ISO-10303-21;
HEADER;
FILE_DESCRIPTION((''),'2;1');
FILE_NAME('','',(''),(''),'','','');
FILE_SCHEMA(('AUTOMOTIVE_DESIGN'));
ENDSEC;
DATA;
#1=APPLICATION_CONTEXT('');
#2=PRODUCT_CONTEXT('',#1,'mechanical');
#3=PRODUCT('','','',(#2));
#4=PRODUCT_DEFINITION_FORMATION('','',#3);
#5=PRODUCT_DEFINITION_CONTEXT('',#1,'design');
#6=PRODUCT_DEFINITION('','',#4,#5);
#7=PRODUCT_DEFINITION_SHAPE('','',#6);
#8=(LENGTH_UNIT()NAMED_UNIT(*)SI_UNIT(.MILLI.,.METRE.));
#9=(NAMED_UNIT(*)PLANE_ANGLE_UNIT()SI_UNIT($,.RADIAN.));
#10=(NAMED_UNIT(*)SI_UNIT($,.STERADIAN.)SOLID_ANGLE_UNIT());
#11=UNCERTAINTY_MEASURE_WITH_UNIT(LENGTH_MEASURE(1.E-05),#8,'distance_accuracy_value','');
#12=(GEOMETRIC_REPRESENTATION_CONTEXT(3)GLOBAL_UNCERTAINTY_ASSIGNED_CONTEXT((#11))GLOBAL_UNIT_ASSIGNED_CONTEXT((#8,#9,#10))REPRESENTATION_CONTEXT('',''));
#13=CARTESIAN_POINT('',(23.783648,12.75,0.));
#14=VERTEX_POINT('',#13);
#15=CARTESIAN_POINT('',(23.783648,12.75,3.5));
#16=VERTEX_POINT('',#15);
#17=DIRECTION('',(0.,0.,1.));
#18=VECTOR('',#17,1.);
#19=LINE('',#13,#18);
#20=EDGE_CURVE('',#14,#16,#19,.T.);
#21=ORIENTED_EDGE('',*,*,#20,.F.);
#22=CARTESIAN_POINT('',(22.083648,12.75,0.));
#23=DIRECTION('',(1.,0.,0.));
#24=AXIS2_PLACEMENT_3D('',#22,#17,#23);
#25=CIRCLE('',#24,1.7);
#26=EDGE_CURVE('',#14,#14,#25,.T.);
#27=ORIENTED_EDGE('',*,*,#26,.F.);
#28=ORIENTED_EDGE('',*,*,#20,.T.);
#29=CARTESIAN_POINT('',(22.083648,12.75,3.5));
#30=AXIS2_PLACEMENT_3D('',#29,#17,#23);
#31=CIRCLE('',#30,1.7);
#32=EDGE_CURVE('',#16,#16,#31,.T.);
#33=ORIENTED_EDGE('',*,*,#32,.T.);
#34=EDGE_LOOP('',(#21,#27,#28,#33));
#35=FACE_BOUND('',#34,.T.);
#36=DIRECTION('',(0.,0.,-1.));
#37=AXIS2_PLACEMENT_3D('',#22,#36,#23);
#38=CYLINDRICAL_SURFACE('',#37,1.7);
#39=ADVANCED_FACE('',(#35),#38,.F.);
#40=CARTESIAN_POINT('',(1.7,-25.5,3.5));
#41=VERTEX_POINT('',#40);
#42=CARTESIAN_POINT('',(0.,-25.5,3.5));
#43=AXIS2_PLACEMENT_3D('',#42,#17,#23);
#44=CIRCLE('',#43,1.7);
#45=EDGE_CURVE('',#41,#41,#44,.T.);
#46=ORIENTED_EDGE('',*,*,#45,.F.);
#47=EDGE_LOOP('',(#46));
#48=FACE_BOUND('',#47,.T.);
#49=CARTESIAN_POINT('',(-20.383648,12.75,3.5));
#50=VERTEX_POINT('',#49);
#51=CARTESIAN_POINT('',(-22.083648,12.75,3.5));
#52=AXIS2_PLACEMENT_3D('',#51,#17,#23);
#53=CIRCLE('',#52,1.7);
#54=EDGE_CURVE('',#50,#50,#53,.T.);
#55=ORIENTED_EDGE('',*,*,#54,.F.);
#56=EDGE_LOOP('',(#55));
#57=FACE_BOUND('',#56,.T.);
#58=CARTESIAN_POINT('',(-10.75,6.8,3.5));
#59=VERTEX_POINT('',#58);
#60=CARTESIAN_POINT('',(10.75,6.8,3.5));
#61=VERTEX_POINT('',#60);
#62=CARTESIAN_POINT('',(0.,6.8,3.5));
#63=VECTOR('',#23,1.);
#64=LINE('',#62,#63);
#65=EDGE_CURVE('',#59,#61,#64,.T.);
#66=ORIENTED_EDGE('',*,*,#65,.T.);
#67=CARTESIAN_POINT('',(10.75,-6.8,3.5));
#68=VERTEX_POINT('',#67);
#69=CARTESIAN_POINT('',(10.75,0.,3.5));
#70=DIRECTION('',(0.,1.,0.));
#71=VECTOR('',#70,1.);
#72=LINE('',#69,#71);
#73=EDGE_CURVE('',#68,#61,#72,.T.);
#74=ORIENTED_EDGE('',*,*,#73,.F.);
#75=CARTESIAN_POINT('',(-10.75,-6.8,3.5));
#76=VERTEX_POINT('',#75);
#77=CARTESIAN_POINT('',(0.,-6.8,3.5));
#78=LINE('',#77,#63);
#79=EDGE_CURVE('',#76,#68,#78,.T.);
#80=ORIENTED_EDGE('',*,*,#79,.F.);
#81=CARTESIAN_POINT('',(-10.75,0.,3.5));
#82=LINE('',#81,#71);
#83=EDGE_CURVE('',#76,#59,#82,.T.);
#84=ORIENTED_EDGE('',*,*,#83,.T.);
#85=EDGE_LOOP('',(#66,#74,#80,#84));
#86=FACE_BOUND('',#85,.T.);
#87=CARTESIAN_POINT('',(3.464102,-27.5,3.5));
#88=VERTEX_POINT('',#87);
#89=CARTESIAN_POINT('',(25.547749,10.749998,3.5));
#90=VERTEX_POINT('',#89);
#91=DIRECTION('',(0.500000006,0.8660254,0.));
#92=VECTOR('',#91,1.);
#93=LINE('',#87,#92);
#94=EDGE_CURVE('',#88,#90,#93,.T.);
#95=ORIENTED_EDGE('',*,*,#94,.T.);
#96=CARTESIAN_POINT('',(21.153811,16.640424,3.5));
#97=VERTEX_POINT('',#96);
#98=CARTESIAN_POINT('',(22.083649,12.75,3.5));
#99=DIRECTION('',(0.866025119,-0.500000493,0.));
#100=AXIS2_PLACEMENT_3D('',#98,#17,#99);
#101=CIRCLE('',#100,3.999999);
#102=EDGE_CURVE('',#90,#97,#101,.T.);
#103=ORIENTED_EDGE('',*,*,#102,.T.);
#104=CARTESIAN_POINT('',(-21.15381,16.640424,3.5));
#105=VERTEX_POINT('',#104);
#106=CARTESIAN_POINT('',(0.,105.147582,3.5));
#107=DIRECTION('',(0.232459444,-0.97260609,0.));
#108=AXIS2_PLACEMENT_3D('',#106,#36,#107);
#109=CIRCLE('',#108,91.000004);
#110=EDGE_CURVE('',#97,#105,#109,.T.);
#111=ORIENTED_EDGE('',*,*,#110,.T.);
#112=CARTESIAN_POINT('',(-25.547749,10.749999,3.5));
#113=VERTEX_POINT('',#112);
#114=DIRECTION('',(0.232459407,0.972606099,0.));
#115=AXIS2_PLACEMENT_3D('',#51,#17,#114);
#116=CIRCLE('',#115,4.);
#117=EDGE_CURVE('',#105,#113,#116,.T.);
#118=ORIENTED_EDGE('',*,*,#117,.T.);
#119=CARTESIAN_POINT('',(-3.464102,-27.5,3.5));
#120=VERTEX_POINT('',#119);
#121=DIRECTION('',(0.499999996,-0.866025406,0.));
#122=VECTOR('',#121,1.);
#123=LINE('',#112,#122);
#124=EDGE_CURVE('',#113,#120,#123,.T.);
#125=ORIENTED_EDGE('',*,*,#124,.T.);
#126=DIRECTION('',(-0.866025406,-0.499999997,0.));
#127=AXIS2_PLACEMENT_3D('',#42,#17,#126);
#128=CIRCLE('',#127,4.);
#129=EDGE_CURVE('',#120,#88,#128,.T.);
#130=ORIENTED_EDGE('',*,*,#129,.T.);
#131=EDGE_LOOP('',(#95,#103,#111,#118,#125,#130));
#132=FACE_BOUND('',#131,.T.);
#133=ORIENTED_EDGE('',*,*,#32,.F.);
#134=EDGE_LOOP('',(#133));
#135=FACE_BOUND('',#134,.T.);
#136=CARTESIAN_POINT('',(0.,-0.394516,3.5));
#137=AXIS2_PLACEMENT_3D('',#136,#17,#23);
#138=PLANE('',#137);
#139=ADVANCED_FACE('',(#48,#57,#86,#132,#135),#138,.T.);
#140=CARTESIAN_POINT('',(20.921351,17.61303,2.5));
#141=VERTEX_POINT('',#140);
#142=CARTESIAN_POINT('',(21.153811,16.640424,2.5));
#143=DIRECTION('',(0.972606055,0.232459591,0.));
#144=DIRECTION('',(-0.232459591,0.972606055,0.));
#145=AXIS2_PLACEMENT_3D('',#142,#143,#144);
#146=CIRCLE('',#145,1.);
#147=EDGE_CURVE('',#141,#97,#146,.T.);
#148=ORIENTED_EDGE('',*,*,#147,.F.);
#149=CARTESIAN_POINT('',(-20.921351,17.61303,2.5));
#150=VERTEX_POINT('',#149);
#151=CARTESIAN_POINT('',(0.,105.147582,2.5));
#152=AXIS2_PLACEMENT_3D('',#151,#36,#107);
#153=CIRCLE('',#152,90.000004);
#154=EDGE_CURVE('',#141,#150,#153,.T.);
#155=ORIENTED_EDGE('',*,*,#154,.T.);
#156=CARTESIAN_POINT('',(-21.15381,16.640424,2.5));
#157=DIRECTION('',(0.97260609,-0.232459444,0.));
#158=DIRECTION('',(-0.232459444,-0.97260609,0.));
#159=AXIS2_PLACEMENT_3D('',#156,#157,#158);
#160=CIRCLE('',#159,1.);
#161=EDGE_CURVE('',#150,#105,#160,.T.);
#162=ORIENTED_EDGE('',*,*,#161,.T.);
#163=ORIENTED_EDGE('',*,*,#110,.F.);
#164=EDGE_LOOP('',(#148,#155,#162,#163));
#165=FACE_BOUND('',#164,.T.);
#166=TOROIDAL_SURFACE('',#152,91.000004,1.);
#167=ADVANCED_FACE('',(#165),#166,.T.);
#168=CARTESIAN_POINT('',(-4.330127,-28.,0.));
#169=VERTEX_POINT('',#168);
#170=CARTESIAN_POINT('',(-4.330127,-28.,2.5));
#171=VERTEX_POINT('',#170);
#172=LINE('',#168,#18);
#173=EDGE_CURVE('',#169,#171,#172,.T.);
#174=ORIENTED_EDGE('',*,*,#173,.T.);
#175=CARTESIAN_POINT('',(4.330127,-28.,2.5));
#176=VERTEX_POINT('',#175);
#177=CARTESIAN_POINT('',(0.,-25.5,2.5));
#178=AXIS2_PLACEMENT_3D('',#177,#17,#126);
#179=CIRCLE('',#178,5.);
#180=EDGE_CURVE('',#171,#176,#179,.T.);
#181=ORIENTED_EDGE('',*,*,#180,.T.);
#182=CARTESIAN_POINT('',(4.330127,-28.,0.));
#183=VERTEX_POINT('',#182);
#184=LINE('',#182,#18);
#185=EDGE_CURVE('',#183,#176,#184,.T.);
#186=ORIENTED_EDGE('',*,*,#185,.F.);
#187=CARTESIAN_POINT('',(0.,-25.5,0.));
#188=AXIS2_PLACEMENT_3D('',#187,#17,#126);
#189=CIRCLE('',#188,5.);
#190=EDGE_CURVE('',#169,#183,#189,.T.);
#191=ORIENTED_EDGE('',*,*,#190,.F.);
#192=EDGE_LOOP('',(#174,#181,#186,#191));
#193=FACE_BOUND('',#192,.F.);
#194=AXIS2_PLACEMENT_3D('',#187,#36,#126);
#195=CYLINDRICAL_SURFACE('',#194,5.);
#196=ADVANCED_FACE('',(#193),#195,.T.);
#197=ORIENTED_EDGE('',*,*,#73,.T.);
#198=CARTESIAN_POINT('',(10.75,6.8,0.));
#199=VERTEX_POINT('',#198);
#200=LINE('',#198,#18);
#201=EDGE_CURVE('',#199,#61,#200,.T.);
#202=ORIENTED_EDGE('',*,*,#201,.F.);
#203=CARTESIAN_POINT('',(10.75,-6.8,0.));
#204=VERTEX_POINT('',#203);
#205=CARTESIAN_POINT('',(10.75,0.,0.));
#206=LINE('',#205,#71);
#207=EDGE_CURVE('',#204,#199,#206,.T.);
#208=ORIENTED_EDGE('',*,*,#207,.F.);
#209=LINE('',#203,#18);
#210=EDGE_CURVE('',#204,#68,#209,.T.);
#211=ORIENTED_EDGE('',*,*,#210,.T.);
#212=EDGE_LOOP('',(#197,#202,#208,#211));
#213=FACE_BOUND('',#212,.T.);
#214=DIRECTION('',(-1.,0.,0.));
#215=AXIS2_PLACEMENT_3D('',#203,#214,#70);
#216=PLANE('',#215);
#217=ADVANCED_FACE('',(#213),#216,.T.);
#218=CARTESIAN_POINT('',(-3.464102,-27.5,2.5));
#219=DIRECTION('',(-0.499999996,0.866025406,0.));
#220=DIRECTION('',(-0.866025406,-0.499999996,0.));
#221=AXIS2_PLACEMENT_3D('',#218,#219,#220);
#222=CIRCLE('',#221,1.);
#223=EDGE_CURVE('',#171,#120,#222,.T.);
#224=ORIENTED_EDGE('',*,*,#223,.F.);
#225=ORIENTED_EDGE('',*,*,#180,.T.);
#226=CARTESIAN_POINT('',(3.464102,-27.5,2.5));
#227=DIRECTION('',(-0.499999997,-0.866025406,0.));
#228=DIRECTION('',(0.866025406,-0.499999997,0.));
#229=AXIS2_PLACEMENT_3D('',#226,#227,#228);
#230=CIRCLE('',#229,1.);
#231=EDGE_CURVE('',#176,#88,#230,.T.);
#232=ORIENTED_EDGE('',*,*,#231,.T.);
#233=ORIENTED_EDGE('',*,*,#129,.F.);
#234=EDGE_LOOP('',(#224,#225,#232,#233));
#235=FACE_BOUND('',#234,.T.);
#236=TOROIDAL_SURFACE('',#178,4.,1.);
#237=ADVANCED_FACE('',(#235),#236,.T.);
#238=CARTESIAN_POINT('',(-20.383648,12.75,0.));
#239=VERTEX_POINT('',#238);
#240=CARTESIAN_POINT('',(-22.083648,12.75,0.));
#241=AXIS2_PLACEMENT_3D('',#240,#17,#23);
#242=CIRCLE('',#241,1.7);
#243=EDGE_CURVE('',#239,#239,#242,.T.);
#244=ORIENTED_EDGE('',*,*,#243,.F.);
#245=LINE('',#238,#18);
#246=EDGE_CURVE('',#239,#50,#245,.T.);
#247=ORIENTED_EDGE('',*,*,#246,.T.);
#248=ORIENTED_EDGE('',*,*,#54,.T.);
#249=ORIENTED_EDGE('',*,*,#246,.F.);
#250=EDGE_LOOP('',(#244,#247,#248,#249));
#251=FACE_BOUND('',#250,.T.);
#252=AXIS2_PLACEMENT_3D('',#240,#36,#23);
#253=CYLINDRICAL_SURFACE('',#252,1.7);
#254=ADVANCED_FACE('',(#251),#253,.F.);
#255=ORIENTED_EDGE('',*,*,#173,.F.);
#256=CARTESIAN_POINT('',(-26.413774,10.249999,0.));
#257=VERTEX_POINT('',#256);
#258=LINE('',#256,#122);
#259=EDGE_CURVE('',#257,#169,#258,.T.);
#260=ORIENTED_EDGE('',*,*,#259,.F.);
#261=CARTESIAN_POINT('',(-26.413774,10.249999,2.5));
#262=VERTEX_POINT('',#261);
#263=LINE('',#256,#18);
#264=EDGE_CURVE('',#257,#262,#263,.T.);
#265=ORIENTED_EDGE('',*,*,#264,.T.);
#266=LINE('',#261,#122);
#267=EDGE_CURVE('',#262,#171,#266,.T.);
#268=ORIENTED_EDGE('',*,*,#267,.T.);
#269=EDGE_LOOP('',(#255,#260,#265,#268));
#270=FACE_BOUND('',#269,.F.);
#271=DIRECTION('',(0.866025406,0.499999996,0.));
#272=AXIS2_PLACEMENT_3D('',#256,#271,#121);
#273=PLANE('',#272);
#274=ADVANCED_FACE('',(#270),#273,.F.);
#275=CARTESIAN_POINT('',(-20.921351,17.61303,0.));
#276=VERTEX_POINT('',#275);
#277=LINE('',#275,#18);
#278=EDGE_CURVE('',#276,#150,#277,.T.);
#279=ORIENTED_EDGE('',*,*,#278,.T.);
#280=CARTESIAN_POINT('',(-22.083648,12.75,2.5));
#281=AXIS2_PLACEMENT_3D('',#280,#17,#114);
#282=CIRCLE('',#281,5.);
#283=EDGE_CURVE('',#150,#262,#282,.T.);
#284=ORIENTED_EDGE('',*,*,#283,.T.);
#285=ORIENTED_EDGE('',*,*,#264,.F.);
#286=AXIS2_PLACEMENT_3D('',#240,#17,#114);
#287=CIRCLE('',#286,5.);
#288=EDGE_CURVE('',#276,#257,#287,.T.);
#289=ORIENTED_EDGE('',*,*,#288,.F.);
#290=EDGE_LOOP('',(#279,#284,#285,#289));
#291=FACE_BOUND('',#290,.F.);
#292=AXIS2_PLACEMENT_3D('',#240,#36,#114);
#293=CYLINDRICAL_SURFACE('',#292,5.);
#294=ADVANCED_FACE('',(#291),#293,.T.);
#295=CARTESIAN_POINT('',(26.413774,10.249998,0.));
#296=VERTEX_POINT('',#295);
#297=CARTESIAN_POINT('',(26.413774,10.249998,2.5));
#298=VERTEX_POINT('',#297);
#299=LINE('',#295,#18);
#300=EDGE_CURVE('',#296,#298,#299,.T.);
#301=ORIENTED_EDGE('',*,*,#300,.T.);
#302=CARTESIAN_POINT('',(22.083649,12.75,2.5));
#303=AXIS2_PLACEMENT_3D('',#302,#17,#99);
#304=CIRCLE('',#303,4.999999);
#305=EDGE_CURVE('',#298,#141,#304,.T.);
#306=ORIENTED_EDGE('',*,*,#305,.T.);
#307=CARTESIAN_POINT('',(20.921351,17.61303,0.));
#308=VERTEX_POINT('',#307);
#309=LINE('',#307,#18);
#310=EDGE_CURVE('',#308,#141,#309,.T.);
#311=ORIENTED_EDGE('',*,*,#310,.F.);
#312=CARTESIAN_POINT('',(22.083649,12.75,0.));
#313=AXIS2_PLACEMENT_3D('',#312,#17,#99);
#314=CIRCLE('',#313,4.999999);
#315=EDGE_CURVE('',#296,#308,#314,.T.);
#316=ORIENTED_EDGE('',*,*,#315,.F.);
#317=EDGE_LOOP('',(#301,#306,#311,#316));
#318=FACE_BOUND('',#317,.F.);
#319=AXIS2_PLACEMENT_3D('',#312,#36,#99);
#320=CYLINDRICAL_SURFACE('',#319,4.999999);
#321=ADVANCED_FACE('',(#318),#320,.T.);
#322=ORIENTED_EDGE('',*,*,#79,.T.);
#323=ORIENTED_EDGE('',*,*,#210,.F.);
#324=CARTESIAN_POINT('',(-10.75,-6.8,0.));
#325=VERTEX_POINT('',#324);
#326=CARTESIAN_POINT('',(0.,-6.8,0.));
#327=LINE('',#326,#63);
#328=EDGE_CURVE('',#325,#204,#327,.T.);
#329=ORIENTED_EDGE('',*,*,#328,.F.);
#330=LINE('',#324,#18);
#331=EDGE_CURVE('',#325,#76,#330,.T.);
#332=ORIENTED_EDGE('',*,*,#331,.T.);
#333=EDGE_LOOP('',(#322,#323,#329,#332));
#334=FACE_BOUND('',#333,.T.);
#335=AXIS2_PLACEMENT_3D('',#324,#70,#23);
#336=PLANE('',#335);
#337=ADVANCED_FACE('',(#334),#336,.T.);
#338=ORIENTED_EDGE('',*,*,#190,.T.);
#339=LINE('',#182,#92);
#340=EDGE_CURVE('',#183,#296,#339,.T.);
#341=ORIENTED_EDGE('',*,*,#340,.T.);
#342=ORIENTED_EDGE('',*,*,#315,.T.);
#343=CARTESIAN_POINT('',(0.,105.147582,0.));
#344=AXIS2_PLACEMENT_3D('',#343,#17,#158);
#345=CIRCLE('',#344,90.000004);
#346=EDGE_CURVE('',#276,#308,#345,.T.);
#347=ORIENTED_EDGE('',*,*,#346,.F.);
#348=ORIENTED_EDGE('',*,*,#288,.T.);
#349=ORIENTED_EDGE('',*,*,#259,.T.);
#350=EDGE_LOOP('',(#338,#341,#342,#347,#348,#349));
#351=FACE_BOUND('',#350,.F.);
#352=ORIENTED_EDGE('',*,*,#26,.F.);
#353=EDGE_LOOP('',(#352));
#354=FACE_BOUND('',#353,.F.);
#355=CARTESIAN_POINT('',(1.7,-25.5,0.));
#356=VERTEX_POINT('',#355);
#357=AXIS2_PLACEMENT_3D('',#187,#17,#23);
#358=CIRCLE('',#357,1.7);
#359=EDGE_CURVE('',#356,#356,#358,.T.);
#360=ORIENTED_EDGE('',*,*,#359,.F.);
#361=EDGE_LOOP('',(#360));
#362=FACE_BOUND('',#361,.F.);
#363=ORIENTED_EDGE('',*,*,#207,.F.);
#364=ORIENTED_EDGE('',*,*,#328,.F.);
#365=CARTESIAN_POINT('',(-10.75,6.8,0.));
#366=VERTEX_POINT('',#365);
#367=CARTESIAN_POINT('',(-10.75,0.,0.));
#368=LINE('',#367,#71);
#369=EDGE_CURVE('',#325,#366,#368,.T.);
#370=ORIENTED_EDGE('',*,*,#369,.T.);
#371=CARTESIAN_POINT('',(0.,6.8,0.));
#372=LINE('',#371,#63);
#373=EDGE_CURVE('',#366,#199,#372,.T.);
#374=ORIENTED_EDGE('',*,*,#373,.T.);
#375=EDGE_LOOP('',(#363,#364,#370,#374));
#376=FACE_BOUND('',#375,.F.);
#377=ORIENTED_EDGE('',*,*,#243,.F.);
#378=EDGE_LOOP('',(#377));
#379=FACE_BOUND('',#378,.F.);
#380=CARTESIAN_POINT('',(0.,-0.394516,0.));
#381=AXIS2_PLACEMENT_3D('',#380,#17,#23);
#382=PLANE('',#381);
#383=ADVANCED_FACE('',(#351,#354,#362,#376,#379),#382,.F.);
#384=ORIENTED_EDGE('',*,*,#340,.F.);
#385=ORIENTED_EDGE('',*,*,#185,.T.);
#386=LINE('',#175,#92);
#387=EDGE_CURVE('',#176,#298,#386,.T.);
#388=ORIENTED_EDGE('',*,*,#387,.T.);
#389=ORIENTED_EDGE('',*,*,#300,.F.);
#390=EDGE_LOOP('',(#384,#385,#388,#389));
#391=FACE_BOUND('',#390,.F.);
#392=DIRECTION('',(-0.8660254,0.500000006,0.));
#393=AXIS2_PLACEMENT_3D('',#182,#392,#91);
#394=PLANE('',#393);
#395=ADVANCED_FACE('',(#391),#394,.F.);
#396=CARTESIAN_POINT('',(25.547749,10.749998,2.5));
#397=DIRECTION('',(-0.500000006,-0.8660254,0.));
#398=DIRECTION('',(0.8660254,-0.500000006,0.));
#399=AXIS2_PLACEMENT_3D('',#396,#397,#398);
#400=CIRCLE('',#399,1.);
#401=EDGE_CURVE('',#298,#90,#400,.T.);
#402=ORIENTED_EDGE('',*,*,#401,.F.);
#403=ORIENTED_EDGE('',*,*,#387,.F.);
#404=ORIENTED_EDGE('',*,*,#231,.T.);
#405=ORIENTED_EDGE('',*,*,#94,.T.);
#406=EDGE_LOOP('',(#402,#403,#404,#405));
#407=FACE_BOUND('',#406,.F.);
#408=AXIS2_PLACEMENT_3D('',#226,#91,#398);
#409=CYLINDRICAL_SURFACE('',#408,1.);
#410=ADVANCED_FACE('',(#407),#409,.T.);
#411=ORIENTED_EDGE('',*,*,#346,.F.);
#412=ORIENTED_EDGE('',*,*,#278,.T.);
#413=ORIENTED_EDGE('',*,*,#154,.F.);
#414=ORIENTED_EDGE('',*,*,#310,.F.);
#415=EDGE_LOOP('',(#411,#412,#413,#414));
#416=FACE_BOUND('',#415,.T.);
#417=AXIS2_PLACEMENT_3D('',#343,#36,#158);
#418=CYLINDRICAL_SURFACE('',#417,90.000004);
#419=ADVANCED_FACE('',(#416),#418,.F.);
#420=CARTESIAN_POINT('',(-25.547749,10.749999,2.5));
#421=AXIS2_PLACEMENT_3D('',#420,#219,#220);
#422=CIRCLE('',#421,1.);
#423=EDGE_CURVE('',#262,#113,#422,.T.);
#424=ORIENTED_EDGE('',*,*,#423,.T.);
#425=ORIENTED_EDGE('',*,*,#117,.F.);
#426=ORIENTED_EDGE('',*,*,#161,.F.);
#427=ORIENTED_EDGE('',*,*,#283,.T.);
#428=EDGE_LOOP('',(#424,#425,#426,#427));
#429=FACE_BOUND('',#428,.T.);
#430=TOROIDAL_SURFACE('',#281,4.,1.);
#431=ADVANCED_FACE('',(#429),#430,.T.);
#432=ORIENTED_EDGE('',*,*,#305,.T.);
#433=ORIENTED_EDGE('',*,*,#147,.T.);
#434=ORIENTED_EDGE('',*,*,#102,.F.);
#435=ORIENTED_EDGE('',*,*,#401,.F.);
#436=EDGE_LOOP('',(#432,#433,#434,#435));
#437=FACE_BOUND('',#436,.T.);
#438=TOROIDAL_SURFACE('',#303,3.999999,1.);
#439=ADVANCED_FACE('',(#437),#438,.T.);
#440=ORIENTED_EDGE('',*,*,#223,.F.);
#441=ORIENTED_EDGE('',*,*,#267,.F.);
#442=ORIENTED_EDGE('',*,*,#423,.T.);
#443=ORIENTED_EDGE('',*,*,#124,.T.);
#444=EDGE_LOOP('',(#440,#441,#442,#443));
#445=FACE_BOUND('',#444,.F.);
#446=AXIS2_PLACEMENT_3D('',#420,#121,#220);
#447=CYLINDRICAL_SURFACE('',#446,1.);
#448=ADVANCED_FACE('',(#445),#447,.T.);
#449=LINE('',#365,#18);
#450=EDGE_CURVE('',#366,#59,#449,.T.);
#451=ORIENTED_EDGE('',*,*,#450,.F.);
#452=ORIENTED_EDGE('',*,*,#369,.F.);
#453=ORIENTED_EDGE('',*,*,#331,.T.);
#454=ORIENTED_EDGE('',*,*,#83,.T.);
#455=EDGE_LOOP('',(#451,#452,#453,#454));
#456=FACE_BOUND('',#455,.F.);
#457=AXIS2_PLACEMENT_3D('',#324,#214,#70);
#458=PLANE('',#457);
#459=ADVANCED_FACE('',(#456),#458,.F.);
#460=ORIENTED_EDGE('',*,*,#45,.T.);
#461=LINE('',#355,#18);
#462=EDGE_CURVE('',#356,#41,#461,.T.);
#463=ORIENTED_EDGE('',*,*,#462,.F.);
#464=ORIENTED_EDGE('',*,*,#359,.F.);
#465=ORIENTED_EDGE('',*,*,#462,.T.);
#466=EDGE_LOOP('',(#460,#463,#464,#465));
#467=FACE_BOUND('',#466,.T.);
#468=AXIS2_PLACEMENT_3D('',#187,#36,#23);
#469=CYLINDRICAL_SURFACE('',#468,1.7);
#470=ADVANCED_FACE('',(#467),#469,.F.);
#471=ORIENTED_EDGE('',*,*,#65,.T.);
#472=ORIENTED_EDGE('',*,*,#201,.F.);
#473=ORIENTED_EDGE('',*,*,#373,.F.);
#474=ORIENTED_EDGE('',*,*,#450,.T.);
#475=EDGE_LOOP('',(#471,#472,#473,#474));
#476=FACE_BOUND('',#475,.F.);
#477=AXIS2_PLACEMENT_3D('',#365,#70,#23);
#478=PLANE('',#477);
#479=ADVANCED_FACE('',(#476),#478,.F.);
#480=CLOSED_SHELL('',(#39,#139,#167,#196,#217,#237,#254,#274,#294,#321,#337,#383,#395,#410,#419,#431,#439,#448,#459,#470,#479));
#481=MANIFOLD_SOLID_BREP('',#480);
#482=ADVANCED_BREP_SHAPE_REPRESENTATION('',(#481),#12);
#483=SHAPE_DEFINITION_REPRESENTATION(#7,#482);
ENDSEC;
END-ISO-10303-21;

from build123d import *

# Parameters (mm, degrees)
SKETCH_R  = 1.7
SKETCH_W  = 21.5
SKETCH_H  = 13.6
PAD_DEPTH = 3.5
FILLET_R  = 1


with BuildPart() as part:
    # Sketch → Pad (new body)
    with BuildSketch(Plane.XY):
        with BuildLine():
            ThreePointArc((-20.921351, 17.61303), (-26.091433, 15.739591), (-26.413774, 10.249999))
            Line((-26.413774, 10.249999), (-4.330127, -28))
            ThreePointArc((-4.330127, -28), (0, -30.5), (4.330127, -28))
            Line((4.330127, -28), (26.413774, 10.249998))
            ThreePointArc((26.413774, 10.249998), (26.091434, 15.739591), (20.921351, 17.61303))
            ThreePointArc((-20.921351, 17.61303), (0, 15.147578), (20.921351, 17.61303))
        make_face()
        with Locations((-22.083648, 12.75)):
            Circle(SKETCH_R, mode=Mode.SUBTRACT)
        with Locations((22.083648, 12.75)):
            Circle(SKETCH_R, mode=Mode.SUBTRACT)
        with Locations((0, -25.5)):
            Circle(SKETCH_R, mode=Mode.SUBTRACT)
        Rectangle(SKETCH_W, SKETCH_H, mode=Mode.SUBTRACT)
    extrude(amount=PAD_DEPTH)

    # Fillet
    fillet_edges = [part.edges().sort_by_distance(p)[0] for p in [
        (-15.371951, -8.875001, 3.5),
        (-26.091433, 15.739591, 3.5),
        (0, 15.147578, 3.5),
        (26.091434, 15.739591, 3.5),
        (15.37195, -8.875001, 3.5),
        (0, -30.5, 3.5),
    ]]
    fillet(fillet_edges, radius=FILLET_R)


solid = part.part
